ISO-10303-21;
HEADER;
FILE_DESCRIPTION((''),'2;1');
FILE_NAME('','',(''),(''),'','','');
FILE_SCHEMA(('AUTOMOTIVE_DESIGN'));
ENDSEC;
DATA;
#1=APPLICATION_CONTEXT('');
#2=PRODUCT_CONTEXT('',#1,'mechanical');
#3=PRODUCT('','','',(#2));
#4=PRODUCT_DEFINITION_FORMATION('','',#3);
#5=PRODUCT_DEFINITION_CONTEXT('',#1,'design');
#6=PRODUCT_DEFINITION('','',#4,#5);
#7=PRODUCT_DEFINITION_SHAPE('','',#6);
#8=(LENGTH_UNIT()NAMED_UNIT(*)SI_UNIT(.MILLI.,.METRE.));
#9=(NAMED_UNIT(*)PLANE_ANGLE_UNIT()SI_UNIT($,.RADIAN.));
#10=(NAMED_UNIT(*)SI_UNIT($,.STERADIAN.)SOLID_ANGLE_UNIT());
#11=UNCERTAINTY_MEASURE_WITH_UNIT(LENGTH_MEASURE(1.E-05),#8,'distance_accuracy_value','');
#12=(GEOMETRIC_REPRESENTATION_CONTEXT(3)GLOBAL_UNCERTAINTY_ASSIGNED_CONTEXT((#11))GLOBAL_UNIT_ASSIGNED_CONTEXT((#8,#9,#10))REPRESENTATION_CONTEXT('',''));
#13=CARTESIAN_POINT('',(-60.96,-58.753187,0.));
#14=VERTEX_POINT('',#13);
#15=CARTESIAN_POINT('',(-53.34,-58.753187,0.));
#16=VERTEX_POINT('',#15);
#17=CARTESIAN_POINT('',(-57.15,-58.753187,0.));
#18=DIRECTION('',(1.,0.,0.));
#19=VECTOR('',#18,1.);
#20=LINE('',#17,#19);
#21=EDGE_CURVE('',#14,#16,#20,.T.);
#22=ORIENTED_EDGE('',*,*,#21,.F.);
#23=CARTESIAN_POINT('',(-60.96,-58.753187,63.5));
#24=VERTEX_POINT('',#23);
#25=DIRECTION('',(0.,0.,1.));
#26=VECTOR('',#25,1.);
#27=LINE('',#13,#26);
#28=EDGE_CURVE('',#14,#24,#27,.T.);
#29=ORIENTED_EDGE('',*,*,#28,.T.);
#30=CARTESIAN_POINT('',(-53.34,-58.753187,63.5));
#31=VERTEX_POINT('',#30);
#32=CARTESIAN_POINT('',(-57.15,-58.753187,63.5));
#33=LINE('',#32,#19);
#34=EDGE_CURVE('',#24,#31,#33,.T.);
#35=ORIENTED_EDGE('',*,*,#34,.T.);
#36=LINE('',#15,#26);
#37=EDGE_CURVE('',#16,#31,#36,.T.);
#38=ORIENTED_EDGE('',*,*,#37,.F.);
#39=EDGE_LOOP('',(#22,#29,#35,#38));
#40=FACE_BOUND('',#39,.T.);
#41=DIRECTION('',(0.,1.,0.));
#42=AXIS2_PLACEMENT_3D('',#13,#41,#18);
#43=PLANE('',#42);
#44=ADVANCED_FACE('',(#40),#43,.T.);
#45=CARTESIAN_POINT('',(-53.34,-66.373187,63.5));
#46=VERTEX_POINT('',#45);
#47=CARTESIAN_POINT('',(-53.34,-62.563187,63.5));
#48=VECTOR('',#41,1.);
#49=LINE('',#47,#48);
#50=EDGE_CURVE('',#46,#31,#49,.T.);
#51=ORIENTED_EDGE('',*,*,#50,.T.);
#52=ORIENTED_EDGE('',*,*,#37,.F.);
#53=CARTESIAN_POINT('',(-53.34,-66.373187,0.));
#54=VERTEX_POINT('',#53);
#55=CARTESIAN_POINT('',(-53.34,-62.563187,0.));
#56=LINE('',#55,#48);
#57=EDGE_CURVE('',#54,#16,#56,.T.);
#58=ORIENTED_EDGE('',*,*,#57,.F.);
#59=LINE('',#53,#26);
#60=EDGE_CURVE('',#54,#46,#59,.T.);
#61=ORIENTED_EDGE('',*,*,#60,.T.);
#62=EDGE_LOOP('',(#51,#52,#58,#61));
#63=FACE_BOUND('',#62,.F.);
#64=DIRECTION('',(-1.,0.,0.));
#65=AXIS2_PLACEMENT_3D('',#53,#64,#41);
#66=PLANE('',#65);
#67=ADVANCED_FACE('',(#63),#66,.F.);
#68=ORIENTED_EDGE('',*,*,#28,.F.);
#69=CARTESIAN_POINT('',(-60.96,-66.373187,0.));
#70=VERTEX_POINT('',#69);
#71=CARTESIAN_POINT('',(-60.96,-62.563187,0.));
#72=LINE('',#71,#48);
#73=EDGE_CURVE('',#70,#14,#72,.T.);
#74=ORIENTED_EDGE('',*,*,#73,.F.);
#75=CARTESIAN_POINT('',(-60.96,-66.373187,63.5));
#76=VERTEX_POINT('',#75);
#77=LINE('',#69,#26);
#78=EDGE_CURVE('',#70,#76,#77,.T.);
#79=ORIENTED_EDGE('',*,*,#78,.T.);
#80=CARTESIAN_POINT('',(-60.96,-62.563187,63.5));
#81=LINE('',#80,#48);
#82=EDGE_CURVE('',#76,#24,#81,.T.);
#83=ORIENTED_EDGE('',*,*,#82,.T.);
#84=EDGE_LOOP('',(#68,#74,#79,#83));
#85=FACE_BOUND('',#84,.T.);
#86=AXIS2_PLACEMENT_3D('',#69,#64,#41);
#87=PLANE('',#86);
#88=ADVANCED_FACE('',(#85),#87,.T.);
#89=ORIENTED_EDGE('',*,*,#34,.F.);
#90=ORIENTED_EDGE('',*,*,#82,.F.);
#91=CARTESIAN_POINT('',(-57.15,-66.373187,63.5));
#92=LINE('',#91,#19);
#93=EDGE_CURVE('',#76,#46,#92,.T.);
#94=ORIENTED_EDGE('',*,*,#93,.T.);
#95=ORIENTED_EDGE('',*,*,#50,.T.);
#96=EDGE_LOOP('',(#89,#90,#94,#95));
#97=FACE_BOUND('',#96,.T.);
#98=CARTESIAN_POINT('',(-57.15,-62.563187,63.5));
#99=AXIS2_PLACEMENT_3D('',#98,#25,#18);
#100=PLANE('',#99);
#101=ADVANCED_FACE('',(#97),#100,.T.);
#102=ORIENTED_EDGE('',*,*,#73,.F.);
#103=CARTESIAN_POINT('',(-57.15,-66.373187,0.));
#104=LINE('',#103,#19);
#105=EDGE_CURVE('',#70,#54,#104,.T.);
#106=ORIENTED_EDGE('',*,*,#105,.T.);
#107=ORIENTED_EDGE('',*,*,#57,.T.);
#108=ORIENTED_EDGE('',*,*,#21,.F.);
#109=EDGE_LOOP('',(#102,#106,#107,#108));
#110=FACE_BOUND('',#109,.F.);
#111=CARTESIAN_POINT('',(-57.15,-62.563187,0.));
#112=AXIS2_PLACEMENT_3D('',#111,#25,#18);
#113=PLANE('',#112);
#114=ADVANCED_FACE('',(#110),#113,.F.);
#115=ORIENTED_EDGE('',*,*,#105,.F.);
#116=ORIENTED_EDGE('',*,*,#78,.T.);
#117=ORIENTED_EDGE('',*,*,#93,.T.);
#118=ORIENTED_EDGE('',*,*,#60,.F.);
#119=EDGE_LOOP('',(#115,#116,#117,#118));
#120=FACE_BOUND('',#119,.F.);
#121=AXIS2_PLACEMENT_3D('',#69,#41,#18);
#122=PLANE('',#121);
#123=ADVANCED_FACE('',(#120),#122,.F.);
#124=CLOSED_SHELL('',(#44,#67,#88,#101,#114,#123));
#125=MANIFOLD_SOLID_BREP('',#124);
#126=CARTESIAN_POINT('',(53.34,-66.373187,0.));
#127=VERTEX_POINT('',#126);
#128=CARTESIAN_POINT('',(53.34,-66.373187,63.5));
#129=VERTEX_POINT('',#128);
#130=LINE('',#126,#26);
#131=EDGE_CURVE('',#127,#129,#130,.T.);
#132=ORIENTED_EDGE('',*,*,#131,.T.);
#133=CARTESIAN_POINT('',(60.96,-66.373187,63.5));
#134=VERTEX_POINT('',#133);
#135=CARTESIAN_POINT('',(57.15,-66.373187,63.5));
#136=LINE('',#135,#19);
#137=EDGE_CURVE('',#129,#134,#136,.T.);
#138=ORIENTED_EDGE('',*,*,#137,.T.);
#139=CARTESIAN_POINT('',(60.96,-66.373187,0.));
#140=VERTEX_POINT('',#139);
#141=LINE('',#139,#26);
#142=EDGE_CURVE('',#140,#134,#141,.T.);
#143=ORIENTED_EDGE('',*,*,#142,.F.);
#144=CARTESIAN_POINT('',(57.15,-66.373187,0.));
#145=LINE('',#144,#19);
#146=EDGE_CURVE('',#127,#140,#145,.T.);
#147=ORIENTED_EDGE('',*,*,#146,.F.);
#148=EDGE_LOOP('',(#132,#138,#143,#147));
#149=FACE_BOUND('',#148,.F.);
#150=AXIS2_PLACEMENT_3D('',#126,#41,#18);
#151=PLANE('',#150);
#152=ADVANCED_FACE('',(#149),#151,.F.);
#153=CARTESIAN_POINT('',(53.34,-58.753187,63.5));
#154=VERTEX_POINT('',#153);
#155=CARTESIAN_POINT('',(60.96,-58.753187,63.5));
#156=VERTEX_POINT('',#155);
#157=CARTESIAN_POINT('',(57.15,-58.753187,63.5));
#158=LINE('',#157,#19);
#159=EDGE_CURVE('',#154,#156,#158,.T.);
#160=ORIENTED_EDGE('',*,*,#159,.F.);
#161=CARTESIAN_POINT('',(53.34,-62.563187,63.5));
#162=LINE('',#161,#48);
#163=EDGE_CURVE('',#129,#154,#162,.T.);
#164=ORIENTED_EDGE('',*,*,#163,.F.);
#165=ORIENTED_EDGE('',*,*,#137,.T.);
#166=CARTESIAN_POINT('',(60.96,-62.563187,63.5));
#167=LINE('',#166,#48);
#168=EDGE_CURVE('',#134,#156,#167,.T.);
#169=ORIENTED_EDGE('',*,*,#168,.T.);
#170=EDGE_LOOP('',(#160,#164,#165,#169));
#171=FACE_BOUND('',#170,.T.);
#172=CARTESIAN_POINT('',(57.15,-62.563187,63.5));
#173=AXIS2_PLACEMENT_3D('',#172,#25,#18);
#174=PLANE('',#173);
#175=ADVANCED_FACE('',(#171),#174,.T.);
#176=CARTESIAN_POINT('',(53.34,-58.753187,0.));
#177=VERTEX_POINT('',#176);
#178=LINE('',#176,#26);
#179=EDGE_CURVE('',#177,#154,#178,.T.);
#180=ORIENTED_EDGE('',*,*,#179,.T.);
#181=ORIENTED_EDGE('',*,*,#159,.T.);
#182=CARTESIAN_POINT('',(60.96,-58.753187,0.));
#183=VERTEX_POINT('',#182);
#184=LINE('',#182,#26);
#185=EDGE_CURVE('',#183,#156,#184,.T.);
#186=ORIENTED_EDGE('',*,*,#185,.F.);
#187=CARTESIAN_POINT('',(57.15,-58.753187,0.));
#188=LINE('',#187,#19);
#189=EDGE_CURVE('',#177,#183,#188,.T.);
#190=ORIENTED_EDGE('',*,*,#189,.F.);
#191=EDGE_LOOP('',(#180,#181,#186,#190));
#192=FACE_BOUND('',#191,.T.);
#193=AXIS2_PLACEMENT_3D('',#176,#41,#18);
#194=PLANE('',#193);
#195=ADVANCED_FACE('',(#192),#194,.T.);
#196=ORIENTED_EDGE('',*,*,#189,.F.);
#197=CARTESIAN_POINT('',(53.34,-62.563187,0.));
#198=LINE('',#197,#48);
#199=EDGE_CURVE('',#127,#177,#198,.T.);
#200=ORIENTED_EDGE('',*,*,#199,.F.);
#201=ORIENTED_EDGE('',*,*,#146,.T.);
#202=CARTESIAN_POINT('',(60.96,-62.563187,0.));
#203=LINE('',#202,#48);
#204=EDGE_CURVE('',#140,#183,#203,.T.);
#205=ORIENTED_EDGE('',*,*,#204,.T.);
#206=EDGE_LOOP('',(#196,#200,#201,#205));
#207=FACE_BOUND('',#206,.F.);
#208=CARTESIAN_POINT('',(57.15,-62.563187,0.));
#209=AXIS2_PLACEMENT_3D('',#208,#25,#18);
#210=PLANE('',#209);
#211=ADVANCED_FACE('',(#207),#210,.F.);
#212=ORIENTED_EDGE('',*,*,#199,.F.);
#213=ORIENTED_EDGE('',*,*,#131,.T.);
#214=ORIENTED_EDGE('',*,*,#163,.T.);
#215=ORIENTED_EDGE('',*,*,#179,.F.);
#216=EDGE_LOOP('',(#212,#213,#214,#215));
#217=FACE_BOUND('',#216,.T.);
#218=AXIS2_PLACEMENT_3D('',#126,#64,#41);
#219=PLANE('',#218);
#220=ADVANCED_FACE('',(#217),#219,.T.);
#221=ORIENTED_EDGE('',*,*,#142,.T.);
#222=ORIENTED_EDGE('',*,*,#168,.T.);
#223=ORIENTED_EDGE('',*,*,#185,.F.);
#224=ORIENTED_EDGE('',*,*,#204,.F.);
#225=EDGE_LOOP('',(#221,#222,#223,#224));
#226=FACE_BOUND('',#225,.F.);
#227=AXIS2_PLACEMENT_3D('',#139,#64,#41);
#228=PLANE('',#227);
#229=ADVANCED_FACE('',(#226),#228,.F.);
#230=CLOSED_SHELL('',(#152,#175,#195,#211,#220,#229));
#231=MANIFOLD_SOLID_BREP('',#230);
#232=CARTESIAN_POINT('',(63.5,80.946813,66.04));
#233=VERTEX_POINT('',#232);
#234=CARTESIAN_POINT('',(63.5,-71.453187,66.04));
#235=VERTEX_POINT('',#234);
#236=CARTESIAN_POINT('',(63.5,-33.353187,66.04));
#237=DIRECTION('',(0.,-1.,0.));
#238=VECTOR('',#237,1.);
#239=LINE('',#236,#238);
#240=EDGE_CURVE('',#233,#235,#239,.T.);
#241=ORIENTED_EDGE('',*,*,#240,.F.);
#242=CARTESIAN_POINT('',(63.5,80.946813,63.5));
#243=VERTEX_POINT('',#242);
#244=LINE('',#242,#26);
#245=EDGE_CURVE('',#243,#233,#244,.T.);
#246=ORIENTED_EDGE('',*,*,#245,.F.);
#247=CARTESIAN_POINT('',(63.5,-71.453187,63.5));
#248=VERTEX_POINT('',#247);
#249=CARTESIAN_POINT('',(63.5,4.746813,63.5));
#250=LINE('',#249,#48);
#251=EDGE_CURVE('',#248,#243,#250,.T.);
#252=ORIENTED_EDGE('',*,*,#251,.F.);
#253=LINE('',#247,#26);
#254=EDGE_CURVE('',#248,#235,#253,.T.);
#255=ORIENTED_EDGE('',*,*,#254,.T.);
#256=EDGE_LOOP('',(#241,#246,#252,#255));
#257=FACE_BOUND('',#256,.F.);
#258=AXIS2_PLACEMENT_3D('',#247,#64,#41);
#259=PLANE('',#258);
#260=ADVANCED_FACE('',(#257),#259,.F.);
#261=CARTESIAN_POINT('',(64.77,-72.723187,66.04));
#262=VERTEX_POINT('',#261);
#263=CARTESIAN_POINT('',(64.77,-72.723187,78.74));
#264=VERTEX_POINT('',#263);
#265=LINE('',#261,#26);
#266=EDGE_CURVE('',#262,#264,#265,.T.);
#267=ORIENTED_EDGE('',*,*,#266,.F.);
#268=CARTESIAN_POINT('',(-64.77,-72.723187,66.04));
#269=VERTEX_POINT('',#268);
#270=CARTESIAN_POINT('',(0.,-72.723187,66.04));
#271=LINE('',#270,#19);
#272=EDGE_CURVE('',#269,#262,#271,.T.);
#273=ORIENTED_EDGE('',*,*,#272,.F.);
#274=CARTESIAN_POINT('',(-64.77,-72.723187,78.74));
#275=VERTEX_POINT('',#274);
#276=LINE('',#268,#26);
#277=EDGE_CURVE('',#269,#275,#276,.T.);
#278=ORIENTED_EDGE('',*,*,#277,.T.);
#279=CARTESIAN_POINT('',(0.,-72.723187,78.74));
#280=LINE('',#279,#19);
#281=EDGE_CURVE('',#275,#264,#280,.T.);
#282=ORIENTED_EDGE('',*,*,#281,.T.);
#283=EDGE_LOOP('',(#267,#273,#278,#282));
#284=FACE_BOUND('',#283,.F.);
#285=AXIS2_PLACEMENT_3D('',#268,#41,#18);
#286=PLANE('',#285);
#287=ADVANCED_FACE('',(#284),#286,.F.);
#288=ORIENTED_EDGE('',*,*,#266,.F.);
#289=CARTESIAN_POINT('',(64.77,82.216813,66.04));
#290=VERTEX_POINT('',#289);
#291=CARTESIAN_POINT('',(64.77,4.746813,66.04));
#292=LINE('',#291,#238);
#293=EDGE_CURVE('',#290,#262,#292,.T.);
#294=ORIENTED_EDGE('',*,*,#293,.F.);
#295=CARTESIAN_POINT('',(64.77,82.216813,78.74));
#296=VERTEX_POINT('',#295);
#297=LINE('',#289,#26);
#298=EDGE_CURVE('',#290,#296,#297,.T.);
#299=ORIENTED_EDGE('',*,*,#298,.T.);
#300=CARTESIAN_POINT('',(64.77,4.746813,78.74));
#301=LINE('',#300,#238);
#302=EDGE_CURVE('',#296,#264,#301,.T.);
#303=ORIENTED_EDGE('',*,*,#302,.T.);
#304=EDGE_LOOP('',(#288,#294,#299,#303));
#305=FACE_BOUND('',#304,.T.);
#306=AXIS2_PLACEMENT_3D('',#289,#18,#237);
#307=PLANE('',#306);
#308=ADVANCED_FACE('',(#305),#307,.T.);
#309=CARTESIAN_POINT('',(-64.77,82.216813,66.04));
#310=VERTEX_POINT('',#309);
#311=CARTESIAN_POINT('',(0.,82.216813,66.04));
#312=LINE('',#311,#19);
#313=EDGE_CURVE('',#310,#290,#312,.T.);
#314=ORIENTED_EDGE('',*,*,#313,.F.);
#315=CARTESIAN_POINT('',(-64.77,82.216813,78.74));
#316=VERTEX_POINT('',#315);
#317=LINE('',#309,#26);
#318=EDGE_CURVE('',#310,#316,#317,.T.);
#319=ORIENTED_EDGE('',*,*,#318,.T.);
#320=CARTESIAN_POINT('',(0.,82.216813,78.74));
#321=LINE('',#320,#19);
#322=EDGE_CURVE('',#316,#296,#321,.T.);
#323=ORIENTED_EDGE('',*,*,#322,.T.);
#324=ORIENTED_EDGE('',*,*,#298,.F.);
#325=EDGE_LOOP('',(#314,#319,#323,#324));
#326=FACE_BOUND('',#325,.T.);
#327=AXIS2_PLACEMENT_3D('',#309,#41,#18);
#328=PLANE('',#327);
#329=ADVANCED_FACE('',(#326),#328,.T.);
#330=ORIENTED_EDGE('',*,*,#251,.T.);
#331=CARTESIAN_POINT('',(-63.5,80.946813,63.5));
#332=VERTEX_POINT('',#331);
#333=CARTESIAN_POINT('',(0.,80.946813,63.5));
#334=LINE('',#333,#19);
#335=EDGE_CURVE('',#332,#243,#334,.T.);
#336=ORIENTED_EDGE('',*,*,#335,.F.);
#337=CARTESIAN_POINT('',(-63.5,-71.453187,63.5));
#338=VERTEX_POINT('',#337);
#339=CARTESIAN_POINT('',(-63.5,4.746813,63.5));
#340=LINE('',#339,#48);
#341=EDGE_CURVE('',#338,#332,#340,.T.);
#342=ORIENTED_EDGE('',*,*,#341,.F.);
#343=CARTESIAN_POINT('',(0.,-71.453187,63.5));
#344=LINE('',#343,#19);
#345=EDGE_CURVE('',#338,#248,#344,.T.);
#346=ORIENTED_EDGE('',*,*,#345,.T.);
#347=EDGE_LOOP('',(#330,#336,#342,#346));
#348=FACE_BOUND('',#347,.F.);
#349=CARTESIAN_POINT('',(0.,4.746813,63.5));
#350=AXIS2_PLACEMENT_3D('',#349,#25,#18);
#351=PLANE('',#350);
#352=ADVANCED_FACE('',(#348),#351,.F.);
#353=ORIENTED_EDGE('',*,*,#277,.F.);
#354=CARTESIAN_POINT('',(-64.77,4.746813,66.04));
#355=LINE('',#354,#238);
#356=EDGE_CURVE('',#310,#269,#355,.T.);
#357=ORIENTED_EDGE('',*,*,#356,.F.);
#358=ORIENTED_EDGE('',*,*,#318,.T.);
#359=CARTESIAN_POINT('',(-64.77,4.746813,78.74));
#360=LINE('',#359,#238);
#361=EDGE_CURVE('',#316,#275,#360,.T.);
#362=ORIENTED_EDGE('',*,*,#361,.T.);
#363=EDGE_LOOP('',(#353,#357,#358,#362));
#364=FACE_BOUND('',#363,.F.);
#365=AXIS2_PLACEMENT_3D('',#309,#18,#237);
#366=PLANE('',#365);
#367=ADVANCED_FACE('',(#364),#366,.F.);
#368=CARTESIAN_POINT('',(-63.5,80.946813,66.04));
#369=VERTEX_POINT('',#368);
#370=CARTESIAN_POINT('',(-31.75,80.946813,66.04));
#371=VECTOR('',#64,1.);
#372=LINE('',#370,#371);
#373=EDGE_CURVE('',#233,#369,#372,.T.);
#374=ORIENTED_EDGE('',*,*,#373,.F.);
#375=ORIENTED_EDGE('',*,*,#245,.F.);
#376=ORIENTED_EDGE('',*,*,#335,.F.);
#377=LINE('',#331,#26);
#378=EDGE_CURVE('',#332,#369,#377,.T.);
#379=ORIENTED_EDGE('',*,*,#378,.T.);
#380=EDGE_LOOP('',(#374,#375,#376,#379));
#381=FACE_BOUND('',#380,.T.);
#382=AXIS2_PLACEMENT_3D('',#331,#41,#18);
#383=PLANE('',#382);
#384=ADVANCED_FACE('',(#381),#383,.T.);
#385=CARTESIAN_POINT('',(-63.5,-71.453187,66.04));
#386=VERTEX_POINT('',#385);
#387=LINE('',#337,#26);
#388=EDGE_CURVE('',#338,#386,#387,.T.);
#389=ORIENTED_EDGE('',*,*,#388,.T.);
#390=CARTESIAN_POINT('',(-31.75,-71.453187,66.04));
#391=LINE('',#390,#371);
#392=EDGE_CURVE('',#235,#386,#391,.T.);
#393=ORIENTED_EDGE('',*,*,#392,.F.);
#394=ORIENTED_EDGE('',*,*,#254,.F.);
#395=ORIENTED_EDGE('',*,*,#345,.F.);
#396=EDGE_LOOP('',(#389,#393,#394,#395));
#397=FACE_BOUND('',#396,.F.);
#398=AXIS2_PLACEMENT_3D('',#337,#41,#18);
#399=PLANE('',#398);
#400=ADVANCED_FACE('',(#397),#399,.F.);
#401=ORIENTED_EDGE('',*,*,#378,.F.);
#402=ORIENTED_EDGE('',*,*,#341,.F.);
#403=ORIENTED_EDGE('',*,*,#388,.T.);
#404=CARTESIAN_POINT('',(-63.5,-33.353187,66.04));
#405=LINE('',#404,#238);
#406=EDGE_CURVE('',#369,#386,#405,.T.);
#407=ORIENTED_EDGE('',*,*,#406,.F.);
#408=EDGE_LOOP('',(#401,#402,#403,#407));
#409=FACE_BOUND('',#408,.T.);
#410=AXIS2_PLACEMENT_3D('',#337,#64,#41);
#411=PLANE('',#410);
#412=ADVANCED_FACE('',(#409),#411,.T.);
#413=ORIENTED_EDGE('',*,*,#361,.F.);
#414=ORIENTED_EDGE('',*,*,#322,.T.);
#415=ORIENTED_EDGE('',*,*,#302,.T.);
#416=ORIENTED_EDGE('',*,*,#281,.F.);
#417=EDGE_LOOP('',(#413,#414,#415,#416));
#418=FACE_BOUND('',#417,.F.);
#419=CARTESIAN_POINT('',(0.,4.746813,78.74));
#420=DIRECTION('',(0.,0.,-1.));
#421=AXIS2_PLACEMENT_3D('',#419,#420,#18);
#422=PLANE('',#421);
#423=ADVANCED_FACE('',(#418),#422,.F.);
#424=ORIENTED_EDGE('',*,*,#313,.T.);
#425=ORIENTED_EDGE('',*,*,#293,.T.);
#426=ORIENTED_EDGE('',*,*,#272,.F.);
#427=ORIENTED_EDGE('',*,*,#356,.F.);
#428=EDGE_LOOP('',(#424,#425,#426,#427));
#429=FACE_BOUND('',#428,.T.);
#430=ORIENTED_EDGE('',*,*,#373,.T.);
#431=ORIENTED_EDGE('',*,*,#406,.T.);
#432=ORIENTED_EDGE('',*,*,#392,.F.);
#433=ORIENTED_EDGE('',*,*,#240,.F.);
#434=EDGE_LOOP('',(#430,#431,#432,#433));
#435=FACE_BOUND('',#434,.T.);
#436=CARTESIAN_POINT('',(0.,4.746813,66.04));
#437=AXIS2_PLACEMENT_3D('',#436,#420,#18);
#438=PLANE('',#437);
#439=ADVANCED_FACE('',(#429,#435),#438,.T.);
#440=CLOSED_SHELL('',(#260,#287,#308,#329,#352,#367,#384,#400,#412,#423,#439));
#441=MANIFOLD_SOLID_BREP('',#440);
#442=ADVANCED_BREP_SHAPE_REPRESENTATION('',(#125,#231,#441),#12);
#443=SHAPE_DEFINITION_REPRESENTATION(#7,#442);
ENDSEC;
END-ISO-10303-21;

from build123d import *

# Parameters (mm, degrees)
F0_W     = 7.62
F0_H     = 7.62
F1_DEPTH = 63.5
F2_W     = 127
F2_H     = 152.4
F2_W_2   = 7.62
F2_H_2   = 7.62
F3_DEPTH = 12.7
F5_START = -2.54
F4_W     = 129.54
F4_H     = 154.94
F4_W_2   = 127
F4_H_2   = 152.4
F5_DEPTH = 12.7


with BuildPart() as f1:
    # F0 (on Top) → F1 (new body)
    with BuildSketch(Plane.XY):
        with Locations((-57.15, -62.5631865114)):
            Rectangle(F0_W, F0_H)
    extrude(amount=F1_DEPTH)


with BuildPart() as f1b:
    # F0 (on Top) → F1, piece 2 (new body)
    with BuildSketch(Plane.XY):
        with Locations((57.15, -62.5631865114)):
            Rectangle(F0_W, F0_H)
    extrude(amount=F1_DEPTH)


with BuildPart() as f3:
    # F2 (on face) → F3 (new body)
    with BuildSketch(Plane.XY.offset(63.5)):
        with Locations((0, 4.7468134886)):
            Rectangle(F2_W, F2_H)
        with Locations((-57.15, -62.5631865114)):
            Rectangle(F2_W_2, F2_H_2, mode=Mode.SUBTRACT)
        with Locations((-57.15, -62.5631865114)):
            Rectangle(F2_W_2, F2_H_2)
    extrude(amount=F3_DEPTH)

    # F4 (on face) → F5 (join)
    with BuildSketch(Plane(origin=(0, 0, 63.5), x_dir=(1, 0, 0), z_dir=(0, 0, -1)).offset(F5_START)):
        with Locations((0, -4.7468134886)):
            Rectangle(F4_W, F4_H)
        with Locations((0, -4.7468134886)):
            Rectangle(F4_W_2, F4_H_2, mode=Mode.SUBTRACT)
        with Locations((0, -4.7468134886)):
            Rectangle(F4_W_2, F4_H_2)
    extrude(amount=-F5_DEPTH)


solid = Compound([f1.part, f1b.part, f3.part])
